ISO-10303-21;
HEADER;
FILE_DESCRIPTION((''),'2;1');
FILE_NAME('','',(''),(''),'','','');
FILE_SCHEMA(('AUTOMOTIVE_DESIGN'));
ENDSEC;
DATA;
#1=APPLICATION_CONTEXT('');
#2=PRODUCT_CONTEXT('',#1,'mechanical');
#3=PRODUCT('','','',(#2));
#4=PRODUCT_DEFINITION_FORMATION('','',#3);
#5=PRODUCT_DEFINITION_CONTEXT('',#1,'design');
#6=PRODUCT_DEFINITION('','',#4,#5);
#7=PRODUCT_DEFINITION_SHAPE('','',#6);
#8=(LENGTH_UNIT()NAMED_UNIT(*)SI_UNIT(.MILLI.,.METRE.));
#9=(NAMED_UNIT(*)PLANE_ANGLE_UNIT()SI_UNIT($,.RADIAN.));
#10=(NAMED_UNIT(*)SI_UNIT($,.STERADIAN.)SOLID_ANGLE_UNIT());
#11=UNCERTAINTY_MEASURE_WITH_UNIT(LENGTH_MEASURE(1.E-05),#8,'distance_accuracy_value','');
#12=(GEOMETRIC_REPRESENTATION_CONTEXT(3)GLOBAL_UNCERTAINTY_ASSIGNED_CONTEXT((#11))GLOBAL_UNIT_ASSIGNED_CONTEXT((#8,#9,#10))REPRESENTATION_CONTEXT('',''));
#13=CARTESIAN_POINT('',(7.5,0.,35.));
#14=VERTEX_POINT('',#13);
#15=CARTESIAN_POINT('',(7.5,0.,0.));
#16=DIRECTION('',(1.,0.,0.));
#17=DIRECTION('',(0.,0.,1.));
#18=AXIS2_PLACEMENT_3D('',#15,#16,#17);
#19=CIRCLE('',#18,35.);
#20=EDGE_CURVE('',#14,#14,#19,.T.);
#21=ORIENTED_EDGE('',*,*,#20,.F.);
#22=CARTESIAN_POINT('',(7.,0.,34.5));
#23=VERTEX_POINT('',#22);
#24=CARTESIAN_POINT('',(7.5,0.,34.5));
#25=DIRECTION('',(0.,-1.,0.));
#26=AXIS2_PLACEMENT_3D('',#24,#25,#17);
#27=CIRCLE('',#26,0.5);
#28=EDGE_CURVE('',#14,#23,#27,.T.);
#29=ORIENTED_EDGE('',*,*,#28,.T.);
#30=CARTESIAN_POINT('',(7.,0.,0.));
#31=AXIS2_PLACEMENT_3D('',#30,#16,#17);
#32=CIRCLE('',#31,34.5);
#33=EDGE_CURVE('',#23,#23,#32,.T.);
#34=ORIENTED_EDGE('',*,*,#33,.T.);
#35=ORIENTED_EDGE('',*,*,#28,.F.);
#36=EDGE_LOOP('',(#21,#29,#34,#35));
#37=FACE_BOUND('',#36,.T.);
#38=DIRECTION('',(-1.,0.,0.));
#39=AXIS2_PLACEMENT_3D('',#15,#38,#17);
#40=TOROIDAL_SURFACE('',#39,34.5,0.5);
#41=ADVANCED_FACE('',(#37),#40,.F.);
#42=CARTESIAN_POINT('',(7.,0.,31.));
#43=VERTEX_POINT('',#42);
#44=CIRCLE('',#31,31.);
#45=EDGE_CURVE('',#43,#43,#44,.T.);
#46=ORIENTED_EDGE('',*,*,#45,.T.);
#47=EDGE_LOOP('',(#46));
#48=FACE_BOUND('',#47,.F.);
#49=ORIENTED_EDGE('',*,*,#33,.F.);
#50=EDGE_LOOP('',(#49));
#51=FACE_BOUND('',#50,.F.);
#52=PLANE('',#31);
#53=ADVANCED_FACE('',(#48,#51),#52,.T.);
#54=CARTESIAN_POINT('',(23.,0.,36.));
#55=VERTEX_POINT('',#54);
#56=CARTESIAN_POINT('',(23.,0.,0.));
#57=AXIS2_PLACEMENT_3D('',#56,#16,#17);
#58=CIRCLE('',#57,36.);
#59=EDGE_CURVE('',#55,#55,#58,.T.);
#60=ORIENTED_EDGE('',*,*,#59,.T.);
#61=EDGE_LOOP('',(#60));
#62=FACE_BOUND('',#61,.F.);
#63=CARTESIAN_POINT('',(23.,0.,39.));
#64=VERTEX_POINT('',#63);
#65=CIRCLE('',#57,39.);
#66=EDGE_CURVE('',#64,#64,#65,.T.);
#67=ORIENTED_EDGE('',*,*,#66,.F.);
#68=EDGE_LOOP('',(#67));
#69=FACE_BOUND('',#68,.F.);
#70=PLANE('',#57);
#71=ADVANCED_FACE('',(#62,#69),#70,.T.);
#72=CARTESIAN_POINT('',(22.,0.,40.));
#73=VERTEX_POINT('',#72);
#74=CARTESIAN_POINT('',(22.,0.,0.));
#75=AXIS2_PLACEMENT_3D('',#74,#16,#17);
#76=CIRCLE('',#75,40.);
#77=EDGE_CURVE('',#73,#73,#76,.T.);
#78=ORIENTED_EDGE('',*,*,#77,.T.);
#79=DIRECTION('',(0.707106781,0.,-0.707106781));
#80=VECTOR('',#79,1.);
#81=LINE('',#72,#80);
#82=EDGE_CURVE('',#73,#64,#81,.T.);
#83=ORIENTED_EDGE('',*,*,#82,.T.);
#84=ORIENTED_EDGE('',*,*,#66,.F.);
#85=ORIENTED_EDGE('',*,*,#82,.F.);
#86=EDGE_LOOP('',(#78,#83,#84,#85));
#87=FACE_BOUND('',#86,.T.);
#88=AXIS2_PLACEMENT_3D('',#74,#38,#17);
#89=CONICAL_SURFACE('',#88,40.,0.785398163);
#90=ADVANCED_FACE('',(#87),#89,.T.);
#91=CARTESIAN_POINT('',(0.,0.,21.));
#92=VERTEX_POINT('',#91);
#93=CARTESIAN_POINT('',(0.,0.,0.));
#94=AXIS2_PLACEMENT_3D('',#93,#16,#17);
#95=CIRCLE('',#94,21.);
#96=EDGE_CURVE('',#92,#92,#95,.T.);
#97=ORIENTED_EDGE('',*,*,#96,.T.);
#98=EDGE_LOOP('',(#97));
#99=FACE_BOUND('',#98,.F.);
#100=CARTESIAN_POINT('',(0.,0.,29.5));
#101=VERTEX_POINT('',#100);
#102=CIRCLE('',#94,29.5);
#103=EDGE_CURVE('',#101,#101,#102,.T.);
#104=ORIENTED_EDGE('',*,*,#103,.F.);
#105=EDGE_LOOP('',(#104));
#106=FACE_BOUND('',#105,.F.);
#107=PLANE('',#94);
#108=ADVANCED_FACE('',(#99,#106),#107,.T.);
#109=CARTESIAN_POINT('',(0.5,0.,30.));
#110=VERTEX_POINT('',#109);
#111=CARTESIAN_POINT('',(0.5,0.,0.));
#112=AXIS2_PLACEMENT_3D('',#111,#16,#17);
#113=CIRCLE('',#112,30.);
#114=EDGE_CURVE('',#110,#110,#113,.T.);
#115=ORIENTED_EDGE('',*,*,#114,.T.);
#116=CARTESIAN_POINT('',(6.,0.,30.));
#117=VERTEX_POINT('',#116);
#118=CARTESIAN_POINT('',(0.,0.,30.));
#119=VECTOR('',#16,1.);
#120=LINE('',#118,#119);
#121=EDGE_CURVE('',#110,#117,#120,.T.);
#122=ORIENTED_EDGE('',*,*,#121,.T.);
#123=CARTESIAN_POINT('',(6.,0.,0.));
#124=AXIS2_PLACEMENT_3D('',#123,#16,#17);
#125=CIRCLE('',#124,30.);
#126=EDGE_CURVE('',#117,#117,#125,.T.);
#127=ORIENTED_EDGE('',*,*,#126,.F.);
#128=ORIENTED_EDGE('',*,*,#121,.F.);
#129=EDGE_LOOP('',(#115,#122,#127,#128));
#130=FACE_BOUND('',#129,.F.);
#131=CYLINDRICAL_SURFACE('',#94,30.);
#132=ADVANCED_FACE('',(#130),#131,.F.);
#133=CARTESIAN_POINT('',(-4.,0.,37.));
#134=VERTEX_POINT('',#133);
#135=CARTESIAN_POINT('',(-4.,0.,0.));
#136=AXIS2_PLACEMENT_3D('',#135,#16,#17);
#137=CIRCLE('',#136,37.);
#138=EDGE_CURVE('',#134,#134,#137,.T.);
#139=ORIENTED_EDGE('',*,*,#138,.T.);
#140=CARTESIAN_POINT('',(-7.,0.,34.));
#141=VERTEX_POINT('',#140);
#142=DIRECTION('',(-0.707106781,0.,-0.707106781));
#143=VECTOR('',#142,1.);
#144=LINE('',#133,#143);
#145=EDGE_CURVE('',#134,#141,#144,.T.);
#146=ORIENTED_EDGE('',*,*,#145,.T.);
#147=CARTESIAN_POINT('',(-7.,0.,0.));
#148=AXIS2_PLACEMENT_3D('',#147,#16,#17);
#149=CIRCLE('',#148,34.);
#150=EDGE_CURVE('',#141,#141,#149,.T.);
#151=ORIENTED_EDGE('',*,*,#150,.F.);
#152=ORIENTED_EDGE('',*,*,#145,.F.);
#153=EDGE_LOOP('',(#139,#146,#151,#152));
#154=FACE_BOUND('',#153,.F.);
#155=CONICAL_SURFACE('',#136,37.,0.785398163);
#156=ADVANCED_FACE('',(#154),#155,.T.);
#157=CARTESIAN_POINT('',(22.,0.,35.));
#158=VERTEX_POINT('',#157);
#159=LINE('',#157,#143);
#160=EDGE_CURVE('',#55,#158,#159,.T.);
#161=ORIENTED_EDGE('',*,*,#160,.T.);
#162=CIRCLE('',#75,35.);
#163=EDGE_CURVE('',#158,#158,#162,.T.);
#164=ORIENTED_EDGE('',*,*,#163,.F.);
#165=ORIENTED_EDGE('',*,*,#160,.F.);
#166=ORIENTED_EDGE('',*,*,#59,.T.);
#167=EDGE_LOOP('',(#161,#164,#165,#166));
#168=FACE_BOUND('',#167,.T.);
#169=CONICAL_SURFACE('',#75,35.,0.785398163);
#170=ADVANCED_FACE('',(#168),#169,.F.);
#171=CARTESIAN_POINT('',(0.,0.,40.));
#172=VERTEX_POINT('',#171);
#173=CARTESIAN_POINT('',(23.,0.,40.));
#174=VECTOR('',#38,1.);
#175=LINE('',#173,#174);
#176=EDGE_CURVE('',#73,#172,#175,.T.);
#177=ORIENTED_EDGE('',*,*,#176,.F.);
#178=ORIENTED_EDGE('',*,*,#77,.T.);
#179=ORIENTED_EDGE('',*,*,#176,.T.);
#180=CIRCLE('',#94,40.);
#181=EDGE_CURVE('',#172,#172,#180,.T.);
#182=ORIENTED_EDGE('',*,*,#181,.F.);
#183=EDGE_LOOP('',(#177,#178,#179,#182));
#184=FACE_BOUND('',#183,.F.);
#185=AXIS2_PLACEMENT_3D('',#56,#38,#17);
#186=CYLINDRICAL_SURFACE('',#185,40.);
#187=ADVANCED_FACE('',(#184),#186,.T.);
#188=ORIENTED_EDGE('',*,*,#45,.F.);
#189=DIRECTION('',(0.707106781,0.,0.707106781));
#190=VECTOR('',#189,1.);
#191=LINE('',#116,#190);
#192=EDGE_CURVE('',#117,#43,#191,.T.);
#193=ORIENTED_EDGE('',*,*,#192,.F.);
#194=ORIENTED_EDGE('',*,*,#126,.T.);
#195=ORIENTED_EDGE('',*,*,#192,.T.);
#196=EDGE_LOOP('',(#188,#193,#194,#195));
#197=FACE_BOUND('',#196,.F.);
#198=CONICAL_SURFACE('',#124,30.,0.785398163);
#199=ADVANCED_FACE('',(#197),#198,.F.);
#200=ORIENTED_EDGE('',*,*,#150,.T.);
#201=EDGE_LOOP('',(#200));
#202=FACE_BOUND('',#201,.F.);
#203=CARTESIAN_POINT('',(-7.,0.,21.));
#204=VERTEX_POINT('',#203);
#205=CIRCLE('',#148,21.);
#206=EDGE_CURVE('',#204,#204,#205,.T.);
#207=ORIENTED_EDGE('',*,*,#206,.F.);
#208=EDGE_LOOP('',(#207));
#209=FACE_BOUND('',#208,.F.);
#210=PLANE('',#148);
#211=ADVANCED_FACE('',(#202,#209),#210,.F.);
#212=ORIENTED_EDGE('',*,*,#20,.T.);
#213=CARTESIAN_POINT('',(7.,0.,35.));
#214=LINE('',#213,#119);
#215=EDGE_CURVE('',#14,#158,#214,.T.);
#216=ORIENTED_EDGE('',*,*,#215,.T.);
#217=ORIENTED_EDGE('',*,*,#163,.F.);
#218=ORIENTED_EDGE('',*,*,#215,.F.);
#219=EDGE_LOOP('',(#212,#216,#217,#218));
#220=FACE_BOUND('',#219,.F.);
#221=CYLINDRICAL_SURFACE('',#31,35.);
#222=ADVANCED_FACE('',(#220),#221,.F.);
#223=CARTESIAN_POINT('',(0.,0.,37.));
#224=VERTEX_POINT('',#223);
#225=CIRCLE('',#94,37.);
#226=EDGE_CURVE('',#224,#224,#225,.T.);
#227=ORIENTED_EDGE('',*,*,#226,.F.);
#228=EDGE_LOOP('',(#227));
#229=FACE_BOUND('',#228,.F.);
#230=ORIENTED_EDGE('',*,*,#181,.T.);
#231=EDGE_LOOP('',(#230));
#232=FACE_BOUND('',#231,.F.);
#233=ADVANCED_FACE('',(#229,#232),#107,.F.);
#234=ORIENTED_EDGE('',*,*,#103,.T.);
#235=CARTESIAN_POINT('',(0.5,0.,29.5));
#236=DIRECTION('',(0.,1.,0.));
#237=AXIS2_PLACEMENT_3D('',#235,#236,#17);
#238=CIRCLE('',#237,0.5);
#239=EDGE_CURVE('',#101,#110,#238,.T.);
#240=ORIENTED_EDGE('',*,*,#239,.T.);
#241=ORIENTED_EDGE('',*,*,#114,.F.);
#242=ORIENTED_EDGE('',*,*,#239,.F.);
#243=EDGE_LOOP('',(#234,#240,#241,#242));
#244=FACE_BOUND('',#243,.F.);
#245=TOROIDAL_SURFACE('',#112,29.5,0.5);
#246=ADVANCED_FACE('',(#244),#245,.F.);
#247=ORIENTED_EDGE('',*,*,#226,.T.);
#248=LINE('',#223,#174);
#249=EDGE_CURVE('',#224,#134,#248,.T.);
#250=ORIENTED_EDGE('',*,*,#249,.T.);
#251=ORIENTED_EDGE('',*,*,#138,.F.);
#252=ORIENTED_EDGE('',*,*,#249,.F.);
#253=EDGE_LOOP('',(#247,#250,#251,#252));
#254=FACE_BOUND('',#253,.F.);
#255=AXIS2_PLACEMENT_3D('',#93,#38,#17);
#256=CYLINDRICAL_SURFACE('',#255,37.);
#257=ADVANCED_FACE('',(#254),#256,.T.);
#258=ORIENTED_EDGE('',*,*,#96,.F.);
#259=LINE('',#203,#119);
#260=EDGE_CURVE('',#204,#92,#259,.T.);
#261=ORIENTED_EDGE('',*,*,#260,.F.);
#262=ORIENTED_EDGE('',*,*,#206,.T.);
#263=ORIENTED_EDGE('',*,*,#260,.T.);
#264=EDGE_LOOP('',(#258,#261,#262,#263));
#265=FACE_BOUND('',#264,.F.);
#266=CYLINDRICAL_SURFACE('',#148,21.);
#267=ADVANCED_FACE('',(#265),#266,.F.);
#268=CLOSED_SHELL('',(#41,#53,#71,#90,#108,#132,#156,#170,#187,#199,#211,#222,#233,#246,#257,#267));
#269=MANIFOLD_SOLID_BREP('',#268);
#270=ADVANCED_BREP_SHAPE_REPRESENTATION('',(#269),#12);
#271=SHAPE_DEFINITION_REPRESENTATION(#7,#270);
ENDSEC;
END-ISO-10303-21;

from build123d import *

# Parameters (mm, degrees)
F2_SIZE = 3
F3_SIZE = 1
F4_R    = 0.5


with BuildPart() as f1:
    # F0 (on Front) → F1 (revolve)
    with BuildSketch(Plane.XZ):
        Polygon((-7, 21), (0, 21), (0, 30), (7, 30), (7, 35), (23, 35), (23, 40), (0, 40), (0, 37), (-7, 37), align=None)
    revolve(axis=Axis((-3.5, 0, 0), (1, 0, 0)))

    # F2
    f2_edges = [f1.edges().sort_by_distance(p)[0] for p in [
        (-7, 0, -37),
    ]]
    chamfer(f2_edges, length=F2_SIZE)

    # F3
    f3_edges = [f1.edges().sort_by_distance(p)[0] for p in [
        (23, 0, -40),
        (23, 0, -35),
        (7, 0, -30),
    ]]
    chamfer(f3_edges, length=F3_SIZE)

    # F4
    f4_edges = [f1.edges().sort_by_distance(p)[0] for p in [
        (0, 0, -30),
        (7, 0, -35),
    ]]
    fillet(f4_edges, radius=F4_R)


solid = f1.part
